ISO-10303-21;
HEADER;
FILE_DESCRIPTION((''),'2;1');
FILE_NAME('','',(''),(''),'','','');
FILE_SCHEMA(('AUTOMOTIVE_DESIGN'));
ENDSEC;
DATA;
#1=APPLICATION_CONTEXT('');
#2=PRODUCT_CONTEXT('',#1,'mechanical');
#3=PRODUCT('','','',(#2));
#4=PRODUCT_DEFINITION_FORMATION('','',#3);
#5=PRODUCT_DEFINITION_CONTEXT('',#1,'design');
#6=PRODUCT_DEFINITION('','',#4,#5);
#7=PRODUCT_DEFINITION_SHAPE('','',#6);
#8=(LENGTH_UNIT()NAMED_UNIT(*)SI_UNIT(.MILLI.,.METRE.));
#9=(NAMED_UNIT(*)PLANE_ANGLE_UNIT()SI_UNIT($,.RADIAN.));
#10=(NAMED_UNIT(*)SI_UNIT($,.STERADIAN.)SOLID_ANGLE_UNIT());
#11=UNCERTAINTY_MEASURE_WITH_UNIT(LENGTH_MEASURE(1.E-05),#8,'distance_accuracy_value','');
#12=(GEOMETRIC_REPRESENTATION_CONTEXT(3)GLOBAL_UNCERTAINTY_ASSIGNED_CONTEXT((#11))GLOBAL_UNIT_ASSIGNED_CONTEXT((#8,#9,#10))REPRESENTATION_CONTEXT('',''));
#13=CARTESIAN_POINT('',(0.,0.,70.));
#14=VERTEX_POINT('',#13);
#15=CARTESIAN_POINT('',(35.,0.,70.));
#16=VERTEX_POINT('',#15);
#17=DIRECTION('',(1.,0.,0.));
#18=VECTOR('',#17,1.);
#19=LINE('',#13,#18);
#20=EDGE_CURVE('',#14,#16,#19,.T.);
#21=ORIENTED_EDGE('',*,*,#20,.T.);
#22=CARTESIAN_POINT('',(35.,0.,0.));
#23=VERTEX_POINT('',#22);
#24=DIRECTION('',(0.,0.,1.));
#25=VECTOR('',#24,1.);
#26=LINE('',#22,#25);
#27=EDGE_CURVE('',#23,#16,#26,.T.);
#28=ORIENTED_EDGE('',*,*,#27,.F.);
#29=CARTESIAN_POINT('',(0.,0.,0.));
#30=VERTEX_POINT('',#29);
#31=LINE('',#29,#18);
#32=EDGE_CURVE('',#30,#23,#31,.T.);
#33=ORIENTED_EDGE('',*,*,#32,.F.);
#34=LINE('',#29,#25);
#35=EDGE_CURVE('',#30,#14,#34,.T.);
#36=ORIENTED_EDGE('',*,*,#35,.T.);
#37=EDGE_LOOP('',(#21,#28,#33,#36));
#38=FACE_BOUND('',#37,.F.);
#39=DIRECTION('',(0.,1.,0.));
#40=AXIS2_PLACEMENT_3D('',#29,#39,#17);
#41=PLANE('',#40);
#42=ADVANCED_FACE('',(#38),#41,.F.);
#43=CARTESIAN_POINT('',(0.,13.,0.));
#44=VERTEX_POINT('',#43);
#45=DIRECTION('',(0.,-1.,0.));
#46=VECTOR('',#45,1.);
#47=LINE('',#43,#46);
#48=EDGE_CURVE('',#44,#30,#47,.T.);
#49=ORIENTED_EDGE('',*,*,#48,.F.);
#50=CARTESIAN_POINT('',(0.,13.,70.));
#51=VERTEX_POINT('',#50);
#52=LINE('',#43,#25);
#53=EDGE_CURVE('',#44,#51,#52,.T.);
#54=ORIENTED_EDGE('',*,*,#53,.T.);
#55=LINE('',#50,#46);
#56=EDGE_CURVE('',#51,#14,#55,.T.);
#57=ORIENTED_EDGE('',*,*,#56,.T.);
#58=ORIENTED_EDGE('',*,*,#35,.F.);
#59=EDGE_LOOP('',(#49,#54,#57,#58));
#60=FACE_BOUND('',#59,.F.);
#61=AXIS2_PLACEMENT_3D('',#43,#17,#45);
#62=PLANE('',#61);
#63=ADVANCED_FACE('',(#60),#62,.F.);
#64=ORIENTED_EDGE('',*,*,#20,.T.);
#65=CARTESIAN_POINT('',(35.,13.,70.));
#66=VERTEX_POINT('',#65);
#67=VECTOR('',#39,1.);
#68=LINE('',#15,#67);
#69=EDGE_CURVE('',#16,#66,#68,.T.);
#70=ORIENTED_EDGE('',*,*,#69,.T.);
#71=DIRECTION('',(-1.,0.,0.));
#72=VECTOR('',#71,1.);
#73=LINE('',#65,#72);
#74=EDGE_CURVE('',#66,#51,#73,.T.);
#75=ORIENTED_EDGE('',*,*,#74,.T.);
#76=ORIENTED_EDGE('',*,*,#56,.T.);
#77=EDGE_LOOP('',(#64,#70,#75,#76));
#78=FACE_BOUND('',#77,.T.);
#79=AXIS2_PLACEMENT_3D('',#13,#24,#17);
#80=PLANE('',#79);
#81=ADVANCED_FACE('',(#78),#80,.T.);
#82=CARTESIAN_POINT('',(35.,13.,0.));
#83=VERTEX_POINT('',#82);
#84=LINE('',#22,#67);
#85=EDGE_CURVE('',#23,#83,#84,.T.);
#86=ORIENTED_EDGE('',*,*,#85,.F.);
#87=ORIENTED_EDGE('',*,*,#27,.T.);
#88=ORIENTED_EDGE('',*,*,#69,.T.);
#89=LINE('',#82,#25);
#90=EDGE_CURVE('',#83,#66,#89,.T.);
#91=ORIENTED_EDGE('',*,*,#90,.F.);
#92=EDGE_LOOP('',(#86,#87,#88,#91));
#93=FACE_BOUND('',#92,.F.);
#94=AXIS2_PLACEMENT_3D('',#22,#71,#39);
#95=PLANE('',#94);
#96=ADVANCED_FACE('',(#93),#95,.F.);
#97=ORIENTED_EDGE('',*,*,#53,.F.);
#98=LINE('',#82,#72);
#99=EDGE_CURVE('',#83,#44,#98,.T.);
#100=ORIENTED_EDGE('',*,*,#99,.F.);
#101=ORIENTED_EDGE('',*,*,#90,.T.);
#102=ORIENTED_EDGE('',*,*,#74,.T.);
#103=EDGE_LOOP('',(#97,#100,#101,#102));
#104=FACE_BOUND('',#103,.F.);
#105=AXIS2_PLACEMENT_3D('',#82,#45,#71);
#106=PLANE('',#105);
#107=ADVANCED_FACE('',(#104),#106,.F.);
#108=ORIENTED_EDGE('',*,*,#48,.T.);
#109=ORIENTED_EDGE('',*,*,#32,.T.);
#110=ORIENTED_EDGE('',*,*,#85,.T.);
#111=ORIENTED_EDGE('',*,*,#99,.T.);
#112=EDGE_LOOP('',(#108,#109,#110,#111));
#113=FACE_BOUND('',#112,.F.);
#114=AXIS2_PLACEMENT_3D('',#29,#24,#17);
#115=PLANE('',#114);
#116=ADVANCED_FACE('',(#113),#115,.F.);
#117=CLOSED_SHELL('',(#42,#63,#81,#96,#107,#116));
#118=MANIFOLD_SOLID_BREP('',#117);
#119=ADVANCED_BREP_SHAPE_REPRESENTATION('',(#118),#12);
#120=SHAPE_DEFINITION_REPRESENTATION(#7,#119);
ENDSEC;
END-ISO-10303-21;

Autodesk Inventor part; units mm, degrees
ref_plane "YZ Plane" through (0, 0, 0) normal (1, 0, 0) x (0, 1, 0)
ref_plane "XZ Plane" through (0, 0, 0) normal (0, 1, 0) x (-1, 0, 0)
ref_plane "XY Plane" through (0, 0, 0) normal (0, 0, 1) x (1, 0, 0)
sketch "Sketch2" plane through (0, 0, 0) normal (0, 0, 1) x (1, 0, 0)
  line L0 (0, 0) -> (35, 0)
  line L1 (35, 0) -> (35, 13)
  line L2 (35, 13) -> (0, 13)
  line L3 (0, 13) -> (0, 0)
  dimension "d0" = 35
  dimension "d1" = 13
extrude "Extrusion1" add sketch "Sketch2" along normal blind 70
properties part number "batteryTest" material "ABS Plastic"
